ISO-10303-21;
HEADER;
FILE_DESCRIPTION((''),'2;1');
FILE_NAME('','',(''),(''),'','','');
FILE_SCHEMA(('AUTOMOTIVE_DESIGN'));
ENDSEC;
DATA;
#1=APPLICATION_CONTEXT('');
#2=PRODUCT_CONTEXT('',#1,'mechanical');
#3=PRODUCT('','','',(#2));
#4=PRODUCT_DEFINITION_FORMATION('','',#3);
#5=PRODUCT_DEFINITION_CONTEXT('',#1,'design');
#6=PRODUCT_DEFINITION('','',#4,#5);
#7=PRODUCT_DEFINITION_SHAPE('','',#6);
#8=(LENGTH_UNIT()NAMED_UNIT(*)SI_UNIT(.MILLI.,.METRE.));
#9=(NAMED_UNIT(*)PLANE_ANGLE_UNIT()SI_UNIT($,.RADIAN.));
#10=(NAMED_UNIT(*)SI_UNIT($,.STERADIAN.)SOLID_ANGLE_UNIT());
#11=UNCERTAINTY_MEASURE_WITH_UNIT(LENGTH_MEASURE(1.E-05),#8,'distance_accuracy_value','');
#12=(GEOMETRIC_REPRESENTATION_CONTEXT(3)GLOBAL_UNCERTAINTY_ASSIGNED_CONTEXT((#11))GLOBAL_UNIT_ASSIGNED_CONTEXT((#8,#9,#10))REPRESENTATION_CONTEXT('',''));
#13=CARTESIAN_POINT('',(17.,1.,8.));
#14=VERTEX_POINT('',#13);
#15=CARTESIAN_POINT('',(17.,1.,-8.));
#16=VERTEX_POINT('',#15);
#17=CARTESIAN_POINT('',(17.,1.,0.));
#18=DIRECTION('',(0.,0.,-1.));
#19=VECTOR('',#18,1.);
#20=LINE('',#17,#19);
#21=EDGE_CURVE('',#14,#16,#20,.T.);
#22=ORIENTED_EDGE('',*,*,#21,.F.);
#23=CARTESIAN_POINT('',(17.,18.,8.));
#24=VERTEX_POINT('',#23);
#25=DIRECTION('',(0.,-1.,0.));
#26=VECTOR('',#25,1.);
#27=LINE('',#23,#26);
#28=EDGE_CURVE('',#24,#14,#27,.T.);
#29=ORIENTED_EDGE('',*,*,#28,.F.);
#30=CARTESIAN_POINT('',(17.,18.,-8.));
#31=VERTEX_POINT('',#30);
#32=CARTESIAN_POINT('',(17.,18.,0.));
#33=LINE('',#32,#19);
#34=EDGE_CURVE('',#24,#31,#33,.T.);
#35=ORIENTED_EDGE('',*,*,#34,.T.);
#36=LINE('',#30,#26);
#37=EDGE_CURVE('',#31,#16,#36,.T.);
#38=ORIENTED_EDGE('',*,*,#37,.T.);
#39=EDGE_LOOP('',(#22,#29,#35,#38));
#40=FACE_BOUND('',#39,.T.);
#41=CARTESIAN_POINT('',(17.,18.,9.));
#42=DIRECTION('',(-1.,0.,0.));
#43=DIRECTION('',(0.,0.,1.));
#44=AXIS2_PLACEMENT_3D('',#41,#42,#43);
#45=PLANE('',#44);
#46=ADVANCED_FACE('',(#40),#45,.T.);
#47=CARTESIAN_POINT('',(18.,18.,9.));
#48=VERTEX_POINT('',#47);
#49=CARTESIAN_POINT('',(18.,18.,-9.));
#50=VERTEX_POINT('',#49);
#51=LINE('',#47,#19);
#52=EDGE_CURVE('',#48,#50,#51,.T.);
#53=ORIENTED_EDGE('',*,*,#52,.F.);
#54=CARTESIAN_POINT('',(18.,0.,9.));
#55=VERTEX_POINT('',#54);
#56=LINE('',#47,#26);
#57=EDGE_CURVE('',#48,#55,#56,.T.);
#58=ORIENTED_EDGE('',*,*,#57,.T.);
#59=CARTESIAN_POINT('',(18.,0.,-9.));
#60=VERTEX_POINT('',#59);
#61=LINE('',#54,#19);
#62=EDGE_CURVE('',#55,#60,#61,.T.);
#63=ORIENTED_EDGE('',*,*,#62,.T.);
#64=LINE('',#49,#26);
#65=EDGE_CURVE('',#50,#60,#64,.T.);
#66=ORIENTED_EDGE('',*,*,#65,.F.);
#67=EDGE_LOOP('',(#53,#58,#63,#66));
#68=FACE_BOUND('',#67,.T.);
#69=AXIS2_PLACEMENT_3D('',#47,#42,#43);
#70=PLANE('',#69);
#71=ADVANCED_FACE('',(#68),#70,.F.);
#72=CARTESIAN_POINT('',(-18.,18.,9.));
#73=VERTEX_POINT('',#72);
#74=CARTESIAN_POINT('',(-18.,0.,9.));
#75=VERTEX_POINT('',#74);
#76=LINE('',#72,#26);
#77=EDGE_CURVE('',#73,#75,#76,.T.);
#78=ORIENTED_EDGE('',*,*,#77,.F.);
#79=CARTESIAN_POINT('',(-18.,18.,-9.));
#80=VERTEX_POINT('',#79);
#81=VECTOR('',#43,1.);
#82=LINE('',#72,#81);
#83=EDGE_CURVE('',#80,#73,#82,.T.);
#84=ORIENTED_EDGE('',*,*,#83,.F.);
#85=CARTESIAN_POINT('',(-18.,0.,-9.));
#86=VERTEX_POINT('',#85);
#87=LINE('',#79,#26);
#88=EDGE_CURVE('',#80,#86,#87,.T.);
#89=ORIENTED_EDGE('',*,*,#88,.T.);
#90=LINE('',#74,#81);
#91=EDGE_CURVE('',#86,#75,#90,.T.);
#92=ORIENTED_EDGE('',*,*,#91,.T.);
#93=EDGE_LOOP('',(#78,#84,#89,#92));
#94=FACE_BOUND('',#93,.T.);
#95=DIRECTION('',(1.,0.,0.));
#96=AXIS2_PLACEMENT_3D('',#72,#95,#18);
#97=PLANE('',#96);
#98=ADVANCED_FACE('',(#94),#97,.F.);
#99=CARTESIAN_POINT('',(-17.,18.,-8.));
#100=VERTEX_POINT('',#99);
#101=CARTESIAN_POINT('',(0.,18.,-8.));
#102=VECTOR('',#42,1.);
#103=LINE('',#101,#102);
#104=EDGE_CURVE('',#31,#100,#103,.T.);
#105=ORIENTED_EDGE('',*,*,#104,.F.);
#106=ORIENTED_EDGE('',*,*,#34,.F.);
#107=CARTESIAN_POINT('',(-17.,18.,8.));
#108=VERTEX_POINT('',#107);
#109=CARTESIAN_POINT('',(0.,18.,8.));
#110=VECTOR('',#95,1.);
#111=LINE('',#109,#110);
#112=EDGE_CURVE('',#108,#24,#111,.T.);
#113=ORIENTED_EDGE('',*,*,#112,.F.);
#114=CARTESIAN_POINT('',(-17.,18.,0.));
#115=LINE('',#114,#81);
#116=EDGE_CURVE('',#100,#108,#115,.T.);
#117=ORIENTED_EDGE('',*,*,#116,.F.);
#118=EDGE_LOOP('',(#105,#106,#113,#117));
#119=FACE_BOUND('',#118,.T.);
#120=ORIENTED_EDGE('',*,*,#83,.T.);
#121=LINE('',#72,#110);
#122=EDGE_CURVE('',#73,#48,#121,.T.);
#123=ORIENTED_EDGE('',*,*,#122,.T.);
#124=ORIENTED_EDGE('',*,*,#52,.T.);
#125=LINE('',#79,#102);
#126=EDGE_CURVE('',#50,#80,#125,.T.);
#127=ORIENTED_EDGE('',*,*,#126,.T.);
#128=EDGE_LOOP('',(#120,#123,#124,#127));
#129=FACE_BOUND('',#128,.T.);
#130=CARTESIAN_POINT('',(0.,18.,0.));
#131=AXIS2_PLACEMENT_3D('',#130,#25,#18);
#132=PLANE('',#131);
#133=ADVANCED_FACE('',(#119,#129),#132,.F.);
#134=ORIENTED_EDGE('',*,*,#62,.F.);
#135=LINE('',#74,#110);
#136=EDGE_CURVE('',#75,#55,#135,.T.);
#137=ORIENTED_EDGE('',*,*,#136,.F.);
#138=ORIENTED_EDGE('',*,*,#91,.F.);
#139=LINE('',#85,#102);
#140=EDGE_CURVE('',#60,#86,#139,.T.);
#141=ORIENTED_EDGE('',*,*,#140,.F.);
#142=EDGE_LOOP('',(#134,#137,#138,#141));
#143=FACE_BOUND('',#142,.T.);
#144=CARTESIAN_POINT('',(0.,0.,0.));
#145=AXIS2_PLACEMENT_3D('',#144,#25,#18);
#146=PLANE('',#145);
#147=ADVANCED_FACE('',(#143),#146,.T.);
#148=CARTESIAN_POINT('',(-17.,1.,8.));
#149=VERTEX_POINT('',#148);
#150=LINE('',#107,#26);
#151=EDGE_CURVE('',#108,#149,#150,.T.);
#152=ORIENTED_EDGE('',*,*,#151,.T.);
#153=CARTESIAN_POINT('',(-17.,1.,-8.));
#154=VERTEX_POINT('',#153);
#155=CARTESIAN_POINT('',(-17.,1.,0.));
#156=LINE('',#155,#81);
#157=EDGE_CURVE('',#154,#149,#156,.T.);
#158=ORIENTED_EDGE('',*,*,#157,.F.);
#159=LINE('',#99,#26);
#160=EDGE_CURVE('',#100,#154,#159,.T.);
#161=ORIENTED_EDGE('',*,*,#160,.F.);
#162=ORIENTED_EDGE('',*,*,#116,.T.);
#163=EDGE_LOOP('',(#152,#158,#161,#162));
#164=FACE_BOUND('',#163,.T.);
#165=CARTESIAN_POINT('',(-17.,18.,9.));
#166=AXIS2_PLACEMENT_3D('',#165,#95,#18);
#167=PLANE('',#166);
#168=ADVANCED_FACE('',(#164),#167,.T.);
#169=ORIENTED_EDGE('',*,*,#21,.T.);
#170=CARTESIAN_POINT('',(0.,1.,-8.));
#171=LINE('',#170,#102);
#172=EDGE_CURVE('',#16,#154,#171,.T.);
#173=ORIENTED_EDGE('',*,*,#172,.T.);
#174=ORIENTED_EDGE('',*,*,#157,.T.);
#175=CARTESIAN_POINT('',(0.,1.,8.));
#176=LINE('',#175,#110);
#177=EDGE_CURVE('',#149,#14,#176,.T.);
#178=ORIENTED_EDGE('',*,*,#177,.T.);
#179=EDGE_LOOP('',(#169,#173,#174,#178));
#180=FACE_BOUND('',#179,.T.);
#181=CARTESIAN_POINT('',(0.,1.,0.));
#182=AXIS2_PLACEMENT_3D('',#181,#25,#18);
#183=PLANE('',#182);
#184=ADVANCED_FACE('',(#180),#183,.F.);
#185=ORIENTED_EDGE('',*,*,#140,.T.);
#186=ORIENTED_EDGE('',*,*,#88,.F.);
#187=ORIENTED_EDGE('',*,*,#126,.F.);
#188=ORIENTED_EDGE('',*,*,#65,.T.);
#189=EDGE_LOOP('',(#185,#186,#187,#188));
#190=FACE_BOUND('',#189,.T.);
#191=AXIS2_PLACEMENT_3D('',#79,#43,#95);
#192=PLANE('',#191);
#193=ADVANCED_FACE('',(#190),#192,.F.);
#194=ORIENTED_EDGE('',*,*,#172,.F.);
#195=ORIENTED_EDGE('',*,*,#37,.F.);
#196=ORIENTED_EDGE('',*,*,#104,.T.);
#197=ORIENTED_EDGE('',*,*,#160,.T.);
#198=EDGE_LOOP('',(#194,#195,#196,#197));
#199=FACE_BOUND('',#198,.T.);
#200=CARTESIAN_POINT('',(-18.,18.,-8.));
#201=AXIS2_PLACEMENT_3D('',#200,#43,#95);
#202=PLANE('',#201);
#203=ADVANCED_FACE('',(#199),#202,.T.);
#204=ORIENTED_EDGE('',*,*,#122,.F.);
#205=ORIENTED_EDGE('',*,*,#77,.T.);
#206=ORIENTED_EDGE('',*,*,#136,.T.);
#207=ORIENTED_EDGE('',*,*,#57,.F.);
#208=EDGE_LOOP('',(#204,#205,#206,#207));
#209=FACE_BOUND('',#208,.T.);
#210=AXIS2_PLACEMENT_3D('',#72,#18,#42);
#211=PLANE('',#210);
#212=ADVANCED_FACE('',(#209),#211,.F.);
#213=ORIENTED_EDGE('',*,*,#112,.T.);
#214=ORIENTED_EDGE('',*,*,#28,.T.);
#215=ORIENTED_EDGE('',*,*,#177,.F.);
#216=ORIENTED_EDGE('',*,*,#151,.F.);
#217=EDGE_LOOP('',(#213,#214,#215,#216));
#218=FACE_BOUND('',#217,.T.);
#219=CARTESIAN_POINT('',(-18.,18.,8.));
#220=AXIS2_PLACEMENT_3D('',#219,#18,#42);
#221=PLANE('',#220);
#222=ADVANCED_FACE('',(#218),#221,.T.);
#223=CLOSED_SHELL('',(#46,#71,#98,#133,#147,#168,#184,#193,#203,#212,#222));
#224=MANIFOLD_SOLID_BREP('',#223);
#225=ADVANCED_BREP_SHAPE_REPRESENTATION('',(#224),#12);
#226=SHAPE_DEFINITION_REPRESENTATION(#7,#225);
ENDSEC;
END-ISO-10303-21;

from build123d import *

# Parameters (mm, degrees)
SKETCH1_W           = 36
SKETCH1_H           = 18
BOSS_EXTRUDE1_DEPTH = 18
SHELL1_T            = -1


with BuildPart() as part:
    # Sketch1 → Boss-Extrude1 (new body)
    with BuildSketch(Plane(origin=(0, 0, 0), x_dir=(1, 0, 0), z_dir=(0, 1, 0))):
        Rectangle(SKETCH1_W, SKETCH1_H)
    extrude(amount=BOSS_EXTRUDE1_DEPTH)

    # Shell1
    shell1_openings = [part.faces().sort_by_distance(p)[0] for p in [
        (0, 18, 0),
    ]]
    offset(amount=SHELL1_T, openings=shell1_openings, kind=Kind.INTERSECTION)


solid = part.part
